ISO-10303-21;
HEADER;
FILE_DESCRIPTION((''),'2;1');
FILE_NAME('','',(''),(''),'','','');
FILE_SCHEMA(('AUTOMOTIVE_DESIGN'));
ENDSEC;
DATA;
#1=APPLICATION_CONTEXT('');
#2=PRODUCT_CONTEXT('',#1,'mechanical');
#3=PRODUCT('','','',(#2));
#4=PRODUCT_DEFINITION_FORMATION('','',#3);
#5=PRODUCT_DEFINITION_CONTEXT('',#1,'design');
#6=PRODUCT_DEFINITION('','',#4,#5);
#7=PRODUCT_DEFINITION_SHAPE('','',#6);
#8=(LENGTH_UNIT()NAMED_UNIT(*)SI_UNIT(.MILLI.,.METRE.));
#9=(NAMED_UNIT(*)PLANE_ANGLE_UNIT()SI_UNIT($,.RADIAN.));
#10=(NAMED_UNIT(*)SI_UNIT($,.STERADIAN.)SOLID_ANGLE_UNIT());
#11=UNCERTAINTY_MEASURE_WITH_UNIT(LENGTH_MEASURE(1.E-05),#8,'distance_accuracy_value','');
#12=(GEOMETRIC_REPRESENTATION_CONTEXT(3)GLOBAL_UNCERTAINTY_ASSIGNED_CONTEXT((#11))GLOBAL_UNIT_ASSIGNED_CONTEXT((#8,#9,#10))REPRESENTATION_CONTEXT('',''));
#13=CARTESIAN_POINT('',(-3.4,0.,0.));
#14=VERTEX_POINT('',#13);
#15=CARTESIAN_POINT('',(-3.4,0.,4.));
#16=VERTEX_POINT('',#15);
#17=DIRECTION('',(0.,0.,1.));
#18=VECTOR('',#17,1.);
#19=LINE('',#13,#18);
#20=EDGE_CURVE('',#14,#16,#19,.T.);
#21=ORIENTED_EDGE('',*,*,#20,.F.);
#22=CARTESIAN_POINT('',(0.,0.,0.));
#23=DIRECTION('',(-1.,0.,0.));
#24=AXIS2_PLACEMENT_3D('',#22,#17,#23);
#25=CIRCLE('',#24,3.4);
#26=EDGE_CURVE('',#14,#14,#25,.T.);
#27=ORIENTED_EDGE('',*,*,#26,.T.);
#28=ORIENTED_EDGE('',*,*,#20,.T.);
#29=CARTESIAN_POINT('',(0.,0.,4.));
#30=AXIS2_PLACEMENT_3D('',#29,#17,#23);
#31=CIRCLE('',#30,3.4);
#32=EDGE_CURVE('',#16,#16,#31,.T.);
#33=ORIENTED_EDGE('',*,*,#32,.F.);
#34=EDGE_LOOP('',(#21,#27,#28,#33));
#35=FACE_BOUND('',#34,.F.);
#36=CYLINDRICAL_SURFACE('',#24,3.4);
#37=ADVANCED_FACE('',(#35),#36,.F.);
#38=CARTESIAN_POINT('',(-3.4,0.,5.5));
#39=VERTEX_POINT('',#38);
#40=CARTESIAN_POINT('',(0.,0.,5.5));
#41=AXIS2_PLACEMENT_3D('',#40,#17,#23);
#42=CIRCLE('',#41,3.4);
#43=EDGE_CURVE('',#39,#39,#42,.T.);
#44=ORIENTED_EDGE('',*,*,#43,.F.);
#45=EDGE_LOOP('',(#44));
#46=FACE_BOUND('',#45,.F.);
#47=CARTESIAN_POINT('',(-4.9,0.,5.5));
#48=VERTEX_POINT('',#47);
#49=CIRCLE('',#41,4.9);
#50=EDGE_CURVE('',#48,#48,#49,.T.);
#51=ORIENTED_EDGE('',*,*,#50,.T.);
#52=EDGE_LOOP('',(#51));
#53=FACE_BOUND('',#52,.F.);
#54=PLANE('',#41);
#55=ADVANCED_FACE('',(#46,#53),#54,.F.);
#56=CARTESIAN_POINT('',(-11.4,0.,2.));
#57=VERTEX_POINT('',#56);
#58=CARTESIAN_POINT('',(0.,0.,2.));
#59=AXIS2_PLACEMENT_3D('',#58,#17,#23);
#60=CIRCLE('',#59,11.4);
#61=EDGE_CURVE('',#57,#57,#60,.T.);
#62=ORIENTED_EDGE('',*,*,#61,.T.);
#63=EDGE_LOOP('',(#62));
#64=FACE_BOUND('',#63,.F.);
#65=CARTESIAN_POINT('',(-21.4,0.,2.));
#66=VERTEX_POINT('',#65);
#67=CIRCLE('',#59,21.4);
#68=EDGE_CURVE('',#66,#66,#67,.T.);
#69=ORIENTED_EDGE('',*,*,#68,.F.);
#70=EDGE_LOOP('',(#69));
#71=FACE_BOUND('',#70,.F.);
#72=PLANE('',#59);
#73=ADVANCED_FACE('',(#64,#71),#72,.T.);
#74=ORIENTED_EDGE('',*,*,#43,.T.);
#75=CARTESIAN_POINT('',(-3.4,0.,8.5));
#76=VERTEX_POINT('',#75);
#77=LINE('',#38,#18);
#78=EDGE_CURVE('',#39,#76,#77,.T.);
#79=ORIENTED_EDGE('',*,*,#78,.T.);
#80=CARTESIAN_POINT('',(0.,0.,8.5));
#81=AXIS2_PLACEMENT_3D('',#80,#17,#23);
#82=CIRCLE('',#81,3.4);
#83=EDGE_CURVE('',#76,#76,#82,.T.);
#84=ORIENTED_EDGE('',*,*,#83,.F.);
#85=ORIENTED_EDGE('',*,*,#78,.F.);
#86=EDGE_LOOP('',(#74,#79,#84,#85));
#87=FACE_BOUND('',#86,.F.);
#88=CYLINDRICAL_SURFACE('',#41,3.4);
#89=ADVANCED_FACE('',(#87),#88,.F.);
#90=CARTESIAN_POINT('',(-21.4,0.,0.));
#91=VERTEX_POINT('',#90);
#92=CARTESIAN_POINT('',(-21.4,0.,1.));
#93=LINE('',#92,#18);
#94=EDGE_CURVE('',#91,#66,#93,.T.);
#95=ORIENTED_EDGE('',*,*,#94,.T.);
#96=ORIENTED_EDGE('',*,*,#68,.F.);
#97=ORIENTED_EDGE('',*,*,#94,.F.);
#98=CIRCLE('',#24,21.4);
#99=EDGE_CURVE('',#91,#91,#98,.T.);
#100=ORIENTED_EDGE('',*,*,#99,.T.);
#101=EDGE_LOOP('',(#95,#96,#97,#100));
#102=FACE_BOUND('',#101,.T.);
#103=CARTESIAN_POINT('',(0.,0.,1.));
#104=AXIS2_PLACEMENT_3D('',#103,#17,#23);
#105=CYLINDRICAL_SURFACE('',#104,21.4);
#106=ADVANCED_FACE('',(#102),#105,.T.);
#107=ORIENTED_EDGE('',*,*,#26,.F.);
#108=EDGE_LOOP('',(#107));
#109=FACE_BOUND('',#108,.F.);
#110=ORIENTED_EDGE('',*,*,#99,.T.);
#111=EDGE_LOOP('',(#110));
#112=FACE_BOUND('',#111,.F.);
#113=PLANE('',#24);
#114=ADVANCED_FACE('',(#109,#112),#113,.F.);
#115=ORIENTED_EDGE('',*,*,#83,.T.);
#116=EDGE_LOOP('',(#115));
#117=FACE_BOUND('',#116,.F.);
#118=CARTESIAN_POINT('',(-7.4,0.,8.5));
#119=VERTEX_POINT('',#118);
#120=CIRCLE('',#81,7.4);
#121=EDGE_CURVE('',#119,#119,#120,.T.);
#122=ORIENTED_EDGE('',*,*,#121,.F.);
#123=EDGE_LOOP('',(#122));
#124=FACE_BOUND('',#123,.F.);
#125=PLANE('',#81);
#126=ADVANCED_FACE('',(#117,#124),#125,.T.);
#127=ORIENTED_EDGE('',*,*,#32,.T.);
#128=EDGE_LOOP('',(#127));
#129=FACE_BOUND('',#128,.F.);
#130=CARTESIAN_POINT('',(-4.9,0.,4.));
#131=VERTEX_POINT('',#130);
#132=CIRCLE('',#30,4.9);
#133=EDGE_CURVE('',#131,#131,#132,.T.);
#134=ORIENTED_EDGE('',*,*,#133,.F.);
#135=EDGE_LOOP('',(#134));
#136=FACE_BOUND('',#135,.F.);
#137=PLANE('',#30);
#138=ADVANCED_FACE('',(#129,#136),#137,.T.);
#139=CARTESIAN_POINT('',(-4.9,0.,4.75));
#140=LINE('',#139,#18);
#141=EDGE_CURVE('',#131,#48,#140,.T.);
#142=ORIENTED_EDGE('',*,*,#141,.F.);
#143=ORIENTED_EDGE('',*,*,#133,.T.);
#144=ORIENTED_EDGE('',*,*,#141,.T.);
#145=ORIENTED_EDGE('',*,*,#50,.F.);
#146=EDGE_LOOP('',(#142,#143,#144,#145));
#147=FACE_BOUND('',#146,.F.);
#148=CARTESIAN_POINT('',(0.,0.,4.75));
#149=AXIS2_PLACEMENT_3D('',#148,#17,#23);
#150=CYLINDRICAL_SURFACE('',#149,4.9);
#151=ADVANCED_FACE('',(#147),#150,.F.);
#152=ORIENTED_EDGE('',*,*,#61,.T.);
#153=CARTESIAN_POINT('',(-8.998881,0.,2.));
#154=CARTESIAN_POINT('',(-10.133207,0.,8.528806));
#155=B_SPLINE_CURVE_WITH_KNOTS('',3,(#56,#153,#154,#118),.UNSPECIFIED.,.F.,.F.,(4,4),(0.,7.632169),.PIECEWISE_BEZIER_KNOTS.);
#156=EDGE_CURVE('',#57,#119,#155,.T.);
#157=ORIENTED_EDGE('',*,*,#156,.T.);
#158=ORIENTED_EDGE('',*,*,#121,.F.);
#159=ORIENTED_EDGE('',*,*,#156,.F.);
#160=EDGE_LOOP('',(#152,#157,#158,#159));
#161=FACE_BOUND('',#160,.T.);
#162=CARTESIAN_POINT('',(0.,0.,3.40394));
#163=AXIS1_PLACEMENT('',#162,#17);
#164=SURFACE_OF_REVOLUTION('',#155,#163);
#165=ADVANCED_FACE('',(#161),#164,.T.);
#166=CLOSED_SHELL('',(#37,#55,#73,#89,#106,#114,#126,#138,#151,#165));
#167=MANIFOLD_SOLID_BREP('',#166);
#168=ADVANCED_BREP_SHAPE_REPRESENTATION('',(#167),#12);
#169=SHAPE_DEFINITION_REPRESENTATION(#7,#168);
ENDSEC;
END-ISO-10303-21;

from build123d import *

# Parameters (mm, degrees)
F0_W   = 10
F0_H   = 2
F0_W_2 = 2.5
F0_H_2 = 1.5


with BuildPart() as f1:
    # F0 (on Front) → F1 (revolve)
    with BuildSketch(Plane.XZ):
        Polygon((-11.4, 0), (-3.4, 0), (-3.4, 2), (-7.4, 2), (-11.4, 2), align=None)
        with Locations((-16.4, 1)):
            Rectangle(F0_W, F0_H)
        Polygon((-7.4, 2), (-3.4, 2), (-3.4, 4), (-4.9, 4), (-7.4, 4), align=None)
        with BuildLine():
            add(Edge.make_bspline(
                [(-11.4, 2), (-8.998881, 2), (-10.133207, 8.528806), (-7.4, 8.5)],
                knots=[0, 0, 0, 0, 7.632169, 7.632169, 7.632169, 7.632169], degree=3))
            Line((-11.4, 2), (-7.4, 2))
            Line((-7.4, 2), (-7.4, 4))
            Line((-7.4, 4), (-7.4, 5.5))
            Line((-7.4, 5.5), (-7.4, 8.5))
        make_face()
        Polygon((-5.4, 8.5), (-7.4, 8.5), (-7.4, 5.5), (-4.9, 5.5), (-3.4, 5.5), (-3.4, 8.5), align=None)
        with Locations((-6.15, 4.75)):
            Rectangle(F0_W_2, F0_H_2)
    revolve(axis=Axis((0, 0, 3.40394), (0, 0, 1)))


solid = f1.part
